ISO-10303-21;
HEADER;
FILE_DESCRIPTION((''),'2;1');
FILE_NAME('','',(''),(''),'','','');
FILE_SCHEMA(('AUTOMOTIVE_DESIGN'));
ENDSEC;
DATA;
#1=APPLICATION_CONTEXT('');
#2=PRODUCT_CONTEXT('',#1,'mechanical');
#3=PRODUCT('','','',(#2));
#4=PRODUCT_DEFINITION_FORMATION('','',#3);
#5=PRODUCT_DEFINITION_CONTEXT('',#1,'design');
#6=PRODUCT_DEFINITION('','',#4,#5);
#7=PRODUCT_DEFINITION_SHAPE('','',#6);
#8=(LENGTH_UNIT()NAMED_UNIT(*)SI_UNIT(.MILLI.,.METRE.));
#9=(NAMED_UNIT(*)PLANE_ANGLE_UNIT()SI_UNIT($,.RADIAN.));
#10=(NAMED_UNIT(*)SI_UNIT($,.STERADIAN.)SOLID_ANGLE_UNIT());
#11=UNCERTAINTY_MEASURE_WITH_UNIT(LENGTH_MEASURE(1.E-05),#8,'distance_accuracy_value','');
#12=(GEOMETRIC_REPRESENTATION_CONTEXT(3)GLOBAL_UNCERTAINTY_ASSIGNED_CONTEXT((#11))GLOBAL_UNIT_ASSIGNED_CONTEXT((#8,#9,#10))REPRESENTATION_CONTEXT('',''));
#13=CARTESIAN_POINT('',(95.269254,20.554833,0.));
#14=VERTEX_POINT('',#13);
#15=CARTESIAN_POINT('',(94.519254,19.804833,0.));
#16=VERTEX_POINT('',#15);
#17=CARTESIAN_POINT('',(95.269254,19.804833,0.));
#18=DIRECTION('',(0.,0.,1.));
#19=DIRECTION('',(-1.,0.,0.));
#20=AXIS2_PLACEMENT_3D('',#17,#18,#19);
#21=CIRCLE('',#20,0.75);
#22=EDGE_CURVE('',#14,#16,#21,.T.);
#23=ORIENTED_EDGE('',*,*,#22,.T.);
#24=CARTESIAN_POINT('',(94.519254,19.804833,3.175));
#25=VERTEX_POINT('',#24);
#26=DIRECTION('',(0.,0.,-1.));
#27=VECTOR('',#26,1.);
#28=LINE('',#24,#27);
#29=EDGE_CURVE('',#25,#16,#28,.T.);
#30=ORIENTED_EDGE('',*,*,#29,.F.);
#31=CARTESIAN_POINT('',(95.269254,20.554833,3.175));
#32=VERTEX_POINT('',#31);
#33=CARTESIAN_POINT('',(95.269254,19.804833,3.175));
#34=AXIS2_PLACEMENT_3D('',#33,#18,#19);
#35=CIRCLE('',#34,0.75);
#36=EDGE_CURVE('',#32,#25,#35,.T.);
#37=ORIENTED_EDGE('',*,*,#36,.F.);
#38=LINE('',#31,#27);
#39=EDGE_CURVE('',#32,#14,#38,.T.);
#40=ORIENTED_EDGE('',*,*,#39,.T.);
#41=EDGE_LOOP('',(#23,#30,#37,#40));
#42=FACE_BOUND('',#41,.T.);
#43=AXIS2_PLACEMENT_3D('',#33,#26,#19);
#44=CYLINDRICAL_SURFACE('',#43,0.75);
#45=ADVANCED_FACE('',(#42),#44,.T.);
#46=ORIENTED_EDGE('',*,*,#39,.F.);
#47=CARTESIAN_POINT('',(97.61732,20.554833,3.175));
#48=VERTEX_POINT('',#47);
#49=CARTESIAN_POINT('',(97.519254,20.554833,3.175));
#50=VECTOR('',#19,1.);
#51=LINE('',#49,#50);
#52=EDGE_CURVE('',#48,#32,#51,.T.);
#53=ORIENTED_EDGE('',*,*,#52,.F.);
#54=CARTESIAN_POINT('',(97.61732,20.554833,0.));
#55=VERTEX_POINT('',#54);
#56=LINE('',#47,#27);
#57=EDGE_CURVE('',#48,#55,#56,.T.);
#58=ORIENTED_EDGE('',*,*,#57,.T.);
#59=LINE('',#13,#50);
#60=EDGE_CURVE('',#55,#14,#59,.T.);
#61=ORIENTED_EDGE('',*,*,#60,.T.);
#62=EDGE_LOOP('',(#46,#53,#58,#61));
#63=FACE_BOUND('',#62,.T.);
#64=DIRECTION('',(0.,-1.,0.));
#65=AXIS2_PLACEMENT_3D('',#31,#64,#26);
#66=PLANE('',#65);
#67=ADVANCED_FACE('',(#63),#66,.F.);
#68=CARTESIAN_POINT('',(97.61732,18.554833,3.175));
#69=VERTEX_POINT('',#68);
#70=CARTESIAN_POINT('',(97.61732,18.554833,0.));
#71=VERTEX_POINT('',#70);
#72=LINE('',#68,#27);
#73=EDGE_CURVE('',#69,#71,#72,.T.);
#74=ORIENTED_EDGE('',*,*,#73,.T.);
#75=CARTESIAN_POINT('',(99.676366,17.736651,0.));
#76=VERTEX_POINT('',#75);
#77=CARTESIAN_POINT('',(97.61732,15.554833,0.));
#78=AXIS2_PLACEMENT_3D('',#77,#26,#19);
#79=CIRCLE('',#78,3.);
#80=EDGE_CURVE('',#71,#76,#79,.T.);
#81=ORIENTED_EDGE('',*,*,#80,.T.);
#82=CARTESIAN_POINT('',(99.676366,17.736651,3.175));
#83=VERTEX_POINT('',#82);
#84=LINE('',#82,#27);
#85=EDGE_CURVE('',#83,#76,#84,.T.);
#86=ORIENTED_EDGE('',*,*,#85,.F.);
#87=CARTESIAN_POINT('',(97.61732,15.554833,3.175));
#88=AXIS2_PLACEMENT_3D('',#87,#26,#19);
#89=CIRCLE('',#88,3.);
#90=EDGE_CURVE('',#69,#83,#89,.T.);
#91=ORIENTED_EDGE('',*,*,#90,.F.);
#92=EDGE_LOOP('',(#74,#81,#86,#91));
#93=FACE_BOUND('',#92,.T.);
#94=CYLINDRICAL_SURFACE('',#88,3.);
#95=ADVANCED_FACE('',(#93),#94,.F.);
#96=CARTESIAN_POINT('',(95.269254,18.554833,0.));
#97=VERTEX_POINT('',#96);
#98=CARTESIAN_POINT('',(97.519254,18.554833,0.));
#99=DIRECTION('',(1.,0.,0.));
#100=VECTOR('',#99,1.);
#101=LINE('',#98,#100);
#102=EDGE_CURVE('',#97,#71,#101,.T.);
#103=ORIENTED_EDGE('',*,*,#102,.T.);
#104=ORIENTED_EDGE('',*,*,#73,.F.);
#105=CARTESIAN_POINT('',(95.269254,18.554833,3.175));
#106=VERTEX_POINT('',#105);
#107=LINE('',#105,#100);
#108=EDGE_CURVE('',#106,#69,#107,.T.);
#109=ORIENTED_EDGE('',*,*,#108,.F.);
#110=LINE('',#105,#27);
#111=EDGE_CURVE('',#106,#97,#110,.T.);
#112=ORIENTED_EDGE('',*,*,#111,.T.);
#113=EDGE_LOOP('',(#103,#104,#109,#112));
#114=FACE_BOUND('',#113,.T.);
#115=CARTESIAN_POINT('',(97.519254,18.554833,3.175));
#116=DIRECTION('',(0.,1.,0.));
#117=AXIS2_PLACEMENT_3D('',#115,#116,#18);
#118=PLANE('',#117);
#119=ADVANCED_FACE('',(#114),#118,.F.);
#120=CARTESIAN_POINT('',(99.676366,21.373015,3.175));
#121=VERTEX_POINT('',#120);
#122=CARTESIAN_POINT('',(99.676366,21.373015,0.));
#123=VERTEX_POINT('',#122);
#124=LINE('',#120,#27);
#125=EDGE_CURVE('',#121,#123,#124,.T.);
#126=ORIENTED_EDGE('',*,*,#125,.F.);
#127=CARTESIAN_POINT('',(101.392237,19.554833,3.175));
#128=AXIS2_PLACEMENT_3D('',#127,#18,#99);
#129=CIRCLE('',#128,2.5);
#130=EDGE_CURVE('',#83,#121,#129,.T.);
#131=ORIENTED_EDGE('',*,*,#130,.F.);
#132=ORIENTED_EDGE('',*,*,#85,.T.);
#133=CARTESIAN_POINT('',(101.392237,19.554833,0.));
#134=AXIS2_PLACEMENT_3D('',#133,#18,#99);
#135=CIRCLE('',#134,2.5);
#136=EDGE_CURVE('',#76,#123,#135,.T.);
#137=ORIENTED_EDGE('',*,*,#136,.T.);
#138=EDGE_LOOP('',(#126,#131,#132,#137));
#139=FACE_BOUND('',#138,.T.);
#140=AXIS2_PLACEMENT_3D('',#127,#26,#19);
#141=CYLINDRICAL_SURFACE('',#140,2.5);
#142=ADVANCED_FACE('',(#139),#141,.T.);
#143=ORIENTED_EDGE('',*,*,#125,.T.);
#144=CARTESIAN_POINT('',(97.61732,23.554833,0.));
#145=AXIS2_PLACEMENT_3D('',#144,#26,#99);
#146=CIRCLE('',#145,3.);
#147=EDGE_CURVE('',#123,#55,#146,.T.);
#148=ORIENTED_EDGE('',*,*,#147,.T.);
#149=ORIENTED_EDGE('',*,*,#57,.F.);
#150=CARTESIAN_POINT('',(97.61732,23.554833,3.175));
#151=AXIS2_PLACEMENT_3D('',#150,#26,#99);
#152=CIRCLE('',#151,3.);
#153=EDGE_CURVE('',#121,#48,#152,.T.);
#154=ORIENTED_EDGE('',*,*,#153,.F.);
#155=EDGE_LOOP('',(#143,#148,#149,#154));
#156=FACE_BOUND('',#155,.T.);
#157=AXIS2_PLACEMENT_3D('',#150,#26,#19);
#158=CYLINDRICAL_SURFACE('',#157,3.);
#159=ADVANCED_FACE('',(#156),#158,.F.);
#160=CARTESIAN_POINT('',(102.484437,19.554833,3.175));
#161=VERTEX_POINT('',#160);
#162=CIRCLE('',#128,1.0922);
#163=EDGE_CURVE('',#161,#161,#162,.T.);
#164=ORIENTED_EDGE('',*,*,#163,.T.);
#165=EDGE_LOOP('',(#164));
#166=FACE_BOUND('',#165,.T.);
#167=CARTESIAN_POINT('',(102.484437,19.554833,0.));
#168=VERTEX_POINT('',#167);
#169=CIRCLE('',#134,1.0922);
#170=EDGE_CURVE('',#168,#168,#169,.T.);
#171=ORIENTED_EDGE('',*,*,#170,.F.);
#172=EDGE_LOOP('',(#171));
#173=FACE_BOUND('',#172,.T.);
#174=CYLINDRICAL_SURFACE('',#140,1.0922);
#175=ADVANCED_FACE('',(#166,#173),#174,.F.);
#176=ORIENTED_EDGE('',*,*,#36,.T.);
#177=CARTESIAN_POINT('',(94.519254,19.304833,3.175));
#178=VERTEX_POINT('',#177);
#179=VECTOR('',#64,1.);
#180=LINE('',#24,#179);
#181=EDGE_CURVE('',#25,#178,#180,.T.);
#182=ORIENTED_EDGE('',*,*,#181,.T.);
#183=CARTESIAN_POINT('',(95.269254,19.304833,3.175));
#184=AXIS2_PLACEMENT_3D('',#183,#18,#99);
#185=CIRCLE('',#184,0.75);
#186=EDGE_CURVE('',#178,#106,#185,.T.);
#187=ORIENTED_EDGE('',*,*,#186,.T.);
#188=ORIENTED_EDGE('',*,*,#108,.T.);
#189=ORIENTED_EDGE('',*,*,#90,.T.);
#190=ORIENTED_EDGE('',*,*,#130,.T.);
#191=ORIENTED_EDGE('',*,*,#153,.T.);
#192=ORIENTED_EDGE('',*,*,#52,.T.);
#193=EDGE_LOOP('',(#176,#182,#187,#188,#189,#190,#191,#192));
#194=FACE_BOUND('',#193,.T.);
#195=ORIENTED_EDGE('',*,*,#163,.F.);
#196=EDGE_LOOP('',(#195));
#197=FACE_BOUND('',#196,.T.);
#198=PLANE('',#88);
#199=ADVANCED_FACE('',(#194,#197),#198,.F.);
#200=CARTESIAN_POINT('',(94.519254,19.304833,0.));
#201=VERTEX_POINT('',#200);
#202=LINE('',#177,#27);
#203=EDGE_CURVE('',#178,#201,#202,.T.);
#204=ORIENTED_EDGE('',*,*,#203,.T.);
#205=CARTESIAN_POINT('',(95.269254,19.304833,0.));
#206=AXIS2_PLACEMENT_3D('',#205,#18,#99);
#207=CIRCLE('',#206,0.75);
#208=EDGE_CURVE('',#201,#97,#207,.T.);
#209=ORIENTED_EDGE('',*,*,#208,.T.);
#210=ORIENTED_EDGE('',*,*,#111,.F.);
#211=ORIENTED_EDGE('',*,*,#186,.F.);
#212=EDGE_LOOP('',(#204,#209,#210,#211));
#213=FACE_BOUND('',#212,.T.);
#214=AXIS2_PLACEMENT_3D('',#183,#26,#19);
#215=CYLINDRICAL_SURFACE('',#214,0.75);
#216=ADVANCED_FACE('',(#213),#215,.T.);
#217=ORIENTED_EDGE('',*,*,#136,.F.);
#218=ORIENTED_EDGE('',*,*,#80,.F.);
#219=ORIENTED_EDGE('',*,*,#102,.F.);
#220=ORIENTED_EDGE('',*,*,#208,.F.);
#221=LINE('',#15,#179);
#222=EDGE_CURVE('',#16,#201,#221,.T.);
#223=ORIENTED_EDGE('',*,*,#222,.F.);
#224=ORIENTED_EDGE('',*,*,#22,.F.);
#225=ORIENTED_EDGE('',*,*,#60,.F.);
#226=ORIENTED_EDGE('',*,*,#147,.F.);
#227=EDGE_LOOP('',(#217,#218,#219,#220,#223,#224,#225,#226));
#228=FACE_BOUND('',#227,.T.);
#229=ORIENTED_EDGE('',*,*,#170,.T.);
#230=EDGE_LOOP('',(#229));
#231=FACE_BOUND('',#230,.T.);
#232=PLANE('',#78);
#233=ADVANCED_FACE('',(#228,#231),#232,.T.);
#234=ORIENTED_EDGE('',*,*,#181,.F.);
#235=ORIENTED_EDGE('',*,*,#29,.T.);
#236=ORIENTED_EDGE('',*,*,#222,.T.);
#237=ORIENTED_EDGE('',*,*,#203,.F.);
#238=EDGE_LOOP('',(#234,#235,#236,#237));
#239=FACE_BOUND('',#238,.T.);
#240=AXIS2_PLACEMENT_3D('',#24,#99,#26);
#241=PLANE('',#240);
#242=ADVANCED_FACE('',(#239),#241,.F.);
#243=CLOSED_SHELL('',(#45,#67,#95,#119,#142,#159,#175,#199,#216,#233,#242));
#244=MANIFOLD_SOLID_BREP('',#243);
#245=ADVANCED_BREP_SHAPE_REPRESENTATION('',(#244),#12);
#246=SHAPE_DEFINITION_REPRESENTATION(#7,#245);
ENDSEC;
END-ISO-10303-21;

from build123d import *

# Parameters (mm, degrees)
SKETCH1_R           = 1.0922
BOSS_EXTRUDE1_DEPTH = 3.175


with BuildPart() as part:
    # Sketch1 → Boss-Extrude1 (new body)
    with BuildSketch(Plane.XY):
        with BuildLine():
            Line((97.519253807, 20.554833153), (97.617319935, 20.554833153))
            ThreePointArc((97.617319935, 20.554833153), (98.725143354, 20.766872021), (99.67636569, 21.373014971))
            ThreePointArc((99.67636569, 21.373014971), (103.892237153, 19.554833153), (99.67636569, 17.736651335))
            ThreePointArc((99.67636569, 17.736651335), (98.725143354, 18.342794285), (97.617319935, 18.554833153))
            Line((97.617319935, 18.554833153), (97.519253807, 18.554833153))
            Line((97.519253807, 18.554833153), (95.269253807, 18.554833153))
            ThreePointArc((95.269253807, 18.554833153), (94.738923721, 18.774503067), (94.519253807, 19.304833153))
            Line((94.519253807, 19.304833153), (94.519253807, 19.804833153))
            ThreePointArc((94.519253807, 19.804833153), (94.738923721, 20.335163239), (95.269253807, 20.554833153))
            Line((95.269253807, 20.554833153), (97.519253807, 20.554833153))
        make_face()
        with Locations((101.392237153, 19.554833153)):
            Circle(SKETCH1_R, mode=Mode.SUBTRACT)
    extrude(amount=BOSS_EXTRUDE1_DEPTH)


solid = part.part
